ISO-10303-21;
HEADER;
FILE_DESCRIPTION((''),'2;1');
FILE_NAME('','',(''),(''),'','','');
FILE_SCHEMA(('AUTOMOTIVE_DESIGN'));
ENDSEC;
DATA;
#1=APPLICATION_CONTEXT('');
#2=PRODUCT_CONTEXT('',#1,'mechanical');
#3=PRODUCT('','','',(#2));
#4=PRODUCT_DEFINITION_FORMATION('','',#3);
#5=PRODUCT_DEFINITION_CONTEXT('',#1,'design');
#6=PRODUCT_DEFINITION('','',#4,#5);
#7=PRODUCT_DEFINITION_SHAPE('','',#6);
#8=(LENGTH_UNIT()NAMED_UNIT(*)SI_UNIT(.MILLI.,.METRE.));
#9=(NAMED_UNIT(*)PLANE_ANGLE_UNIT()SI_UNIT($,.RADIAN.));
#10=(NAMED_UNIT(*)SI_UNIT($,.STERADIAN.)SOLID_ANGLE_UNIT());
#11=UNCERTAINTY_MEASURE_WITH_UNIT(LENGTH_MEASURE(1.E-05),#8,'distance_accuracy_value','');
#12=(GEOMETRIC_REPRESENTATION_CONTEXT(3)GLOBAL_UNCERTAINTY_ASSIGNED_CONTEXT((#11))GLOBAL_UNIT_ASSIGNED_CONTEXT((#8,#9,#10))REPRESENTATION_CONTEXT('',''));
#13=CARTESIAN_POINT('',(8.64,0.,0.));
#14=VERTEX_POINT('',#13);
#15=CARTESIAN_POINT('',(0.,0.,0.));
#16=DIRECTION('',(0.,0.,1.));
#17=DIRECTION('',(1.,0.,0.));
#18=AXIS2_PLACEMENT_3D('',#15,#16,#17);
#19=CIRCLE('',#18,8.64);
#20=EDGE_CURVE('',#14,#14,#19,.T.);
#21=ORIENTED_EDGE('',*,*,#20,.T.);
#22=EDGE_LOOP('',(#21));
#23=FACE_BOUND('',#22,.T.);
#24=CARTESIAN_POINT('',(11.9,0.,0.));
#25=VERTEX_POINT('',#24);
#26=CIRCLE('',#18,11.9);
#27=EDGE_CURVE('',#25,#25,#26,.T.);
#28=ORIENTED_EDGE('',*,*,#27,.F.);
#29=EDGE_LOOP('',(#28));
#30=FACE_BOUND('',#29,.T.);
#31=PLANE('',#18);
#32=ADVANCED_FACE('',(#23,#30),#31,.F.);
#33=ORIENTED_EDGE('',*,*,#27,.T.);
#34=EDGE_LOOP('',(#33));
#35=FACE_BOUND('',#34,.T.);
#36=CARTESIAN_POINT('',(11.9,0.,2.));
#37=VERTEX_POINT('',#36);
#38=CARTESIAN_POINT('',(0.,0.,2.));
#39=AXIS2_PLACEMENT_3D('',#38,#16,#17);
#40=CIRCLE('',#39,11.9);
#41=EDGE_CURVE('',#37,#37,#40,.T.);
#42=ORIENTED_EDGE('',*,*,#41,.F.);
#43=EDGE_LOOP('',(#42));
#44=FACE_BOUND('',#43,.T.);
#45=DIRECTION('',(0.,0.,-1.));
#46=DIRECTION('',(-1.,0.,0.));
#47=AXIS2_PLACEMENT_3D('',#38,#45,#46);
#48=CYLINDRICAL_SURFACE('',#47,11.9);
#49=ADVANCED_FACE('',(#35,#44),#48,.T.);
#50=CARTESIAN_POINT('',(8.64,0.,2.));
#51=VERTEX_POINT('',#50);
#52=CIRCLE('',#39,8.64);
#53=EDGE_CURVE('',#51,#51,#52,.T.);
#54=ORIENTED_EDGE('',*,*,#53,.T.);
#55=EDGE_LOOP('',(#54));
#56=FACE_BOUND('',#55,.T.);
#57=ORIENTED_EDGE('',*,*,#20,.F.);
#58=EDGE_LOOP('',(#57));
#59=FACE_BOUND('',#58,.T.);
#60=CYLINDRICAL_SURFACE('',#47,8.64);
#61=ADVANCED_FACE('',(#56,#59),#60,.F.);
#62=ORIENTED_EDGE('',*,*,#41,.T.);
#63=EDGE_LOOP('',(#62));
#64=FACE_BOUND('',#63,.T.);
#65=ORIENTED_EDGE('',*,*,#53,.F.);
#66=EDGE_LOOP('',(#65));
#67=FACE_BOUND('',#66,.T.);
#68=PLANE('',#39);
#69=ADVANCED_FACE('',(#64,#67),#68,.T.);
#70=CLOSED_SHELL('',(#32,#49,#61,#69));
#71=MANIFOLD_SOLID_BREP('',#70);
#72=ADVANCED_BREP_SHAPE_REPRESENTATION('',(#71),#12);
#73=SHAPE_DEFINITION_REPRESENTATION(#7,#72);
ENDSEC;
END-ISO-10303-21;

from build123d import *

# Parameters (mm, degrees)
IZIM1_R                     = 11.9
IZIM1_R_2                   = 8.64
Y_KSEKLIK_EKSTR_ZYON1_DEPTH = 2


with BuildPart() as part:
    # Çizim1 → Yükseklik-Ekstrüzyon1 (new body)
    with BuildSketch(Plane.XY):
        Circle(IZIM1_R)
        Circle(IZIM1_R_2, mode=Mode.SUBTRACT)
    extrude(amount=Y_KSEKLIK_EKSTR_ZYON1_DEPTH)


solid = part.part
